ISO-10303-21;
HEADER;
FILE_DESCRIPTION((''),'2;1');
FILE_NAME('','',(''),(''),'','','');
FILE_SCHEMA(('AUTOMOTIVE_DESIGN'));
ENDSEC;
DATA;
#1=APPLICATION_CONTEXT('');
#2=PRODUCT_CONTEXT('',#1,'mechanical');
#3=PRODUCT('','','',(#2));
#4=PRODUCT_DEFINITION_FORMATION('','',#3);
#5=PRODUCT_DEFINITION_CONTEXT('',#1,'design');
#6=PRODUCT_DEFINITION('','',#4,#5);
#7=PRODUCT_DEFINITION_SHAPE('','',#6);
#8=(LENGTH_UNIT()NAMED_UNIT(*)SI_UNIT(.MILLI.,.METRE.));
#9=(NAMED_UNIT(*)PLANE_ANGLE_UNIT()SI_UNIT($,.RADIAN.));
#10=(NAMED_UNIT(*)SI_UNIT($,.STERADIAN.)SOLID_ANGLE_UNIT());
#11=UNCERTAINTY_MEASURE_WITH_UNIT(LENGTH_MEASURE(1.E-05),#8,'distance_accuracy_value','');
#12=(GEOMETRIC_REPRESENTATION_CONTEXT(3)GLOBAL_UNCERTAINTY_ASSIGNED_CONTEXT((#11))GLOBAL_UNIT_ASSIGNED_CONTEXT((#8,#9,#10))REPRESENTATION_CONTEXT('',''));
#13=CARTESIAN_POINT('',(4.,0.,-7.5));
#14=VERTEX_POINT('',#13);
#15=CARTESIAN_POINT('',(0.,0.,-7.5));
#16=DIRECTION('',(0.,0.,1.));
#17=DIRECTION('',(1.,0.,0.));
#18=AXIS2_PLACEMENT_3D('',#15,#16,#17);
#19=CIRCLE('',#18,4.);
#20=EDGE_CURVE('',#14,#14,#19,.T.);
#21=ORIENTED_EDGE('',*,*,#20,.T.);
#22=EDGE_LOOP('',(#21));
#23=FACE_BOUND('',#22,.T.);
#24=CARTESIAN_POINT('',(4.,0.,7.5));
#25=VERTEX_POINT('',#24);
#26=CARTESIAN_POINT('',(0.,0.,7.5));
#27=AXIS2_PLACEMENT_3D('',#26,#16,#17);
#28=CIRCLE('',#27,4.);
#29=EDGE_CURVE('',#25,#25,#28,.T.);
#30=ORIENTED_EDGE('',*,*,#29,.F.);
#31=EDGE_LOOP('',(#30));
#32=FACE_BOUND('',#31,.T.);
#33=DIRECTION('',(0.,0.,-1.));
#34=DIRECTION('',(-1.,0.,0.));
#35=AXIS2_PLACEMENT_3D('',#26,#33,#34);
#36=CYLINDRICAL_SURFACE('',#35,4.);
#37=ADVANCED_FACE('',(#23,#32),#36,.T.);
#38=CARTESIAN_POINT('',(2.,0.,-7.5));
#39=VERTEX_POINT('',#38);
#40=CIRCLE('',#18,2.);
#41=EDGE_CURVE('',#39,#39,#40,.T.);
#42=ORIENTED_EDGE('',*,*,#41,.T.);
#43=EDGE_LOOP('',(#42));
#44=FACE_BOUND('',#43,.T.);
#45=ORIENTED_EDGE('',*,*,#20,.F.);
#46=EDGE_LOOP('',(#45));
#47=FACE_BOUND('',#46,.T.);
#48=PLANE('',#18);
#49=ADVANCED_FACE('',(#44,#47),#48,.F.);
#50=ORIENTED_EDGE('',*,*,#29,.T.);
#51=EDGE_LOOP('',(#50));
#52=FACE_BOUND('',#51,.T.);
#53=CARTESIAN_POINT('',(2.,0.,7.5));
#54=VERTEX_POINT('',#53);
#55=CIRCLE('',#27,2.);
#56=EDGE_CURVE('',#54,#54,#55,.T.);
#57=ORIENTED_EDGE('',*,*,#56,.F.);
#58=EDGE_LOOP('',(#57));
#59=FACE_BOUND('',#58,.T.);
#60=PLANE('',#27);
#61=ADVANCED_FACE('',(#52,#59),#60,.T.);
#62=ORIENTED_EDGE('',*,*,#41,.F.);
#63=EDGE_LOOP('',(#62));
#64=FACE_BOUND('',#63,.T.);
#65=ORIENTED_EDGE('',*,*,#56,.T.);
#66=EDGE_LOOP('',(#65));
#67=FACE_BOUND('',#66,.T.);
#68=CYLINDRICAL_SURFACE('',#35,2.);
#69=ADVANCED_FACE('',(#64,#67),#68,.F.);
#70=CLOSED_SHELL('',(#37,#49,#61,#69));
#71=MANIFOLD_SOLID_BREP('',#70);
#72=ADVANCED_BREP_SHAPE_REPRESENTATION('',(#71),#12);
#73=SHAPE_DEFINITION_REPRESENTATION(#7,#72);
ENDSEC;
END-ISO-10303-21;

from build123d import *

# Parameters (mm, degrees)
SKETCH_1_R      = 4
SKETCH_1_R_2    = 2
EXTRUDE_1_DEPTH = 7.5


with BuildPart() as part:
    # 草图1 → 凸台-拉伸1 (new body, symmetric)
    with BuildSketch(Plane.XY):
        Circle(SKETCH_1_R)
        Circle(SKETCH_1_R_2, mode=Mode.SUBTRACT)
    extrude(amount=EXTRUDE_1_DEPTH, both=True)


solid = part.part
